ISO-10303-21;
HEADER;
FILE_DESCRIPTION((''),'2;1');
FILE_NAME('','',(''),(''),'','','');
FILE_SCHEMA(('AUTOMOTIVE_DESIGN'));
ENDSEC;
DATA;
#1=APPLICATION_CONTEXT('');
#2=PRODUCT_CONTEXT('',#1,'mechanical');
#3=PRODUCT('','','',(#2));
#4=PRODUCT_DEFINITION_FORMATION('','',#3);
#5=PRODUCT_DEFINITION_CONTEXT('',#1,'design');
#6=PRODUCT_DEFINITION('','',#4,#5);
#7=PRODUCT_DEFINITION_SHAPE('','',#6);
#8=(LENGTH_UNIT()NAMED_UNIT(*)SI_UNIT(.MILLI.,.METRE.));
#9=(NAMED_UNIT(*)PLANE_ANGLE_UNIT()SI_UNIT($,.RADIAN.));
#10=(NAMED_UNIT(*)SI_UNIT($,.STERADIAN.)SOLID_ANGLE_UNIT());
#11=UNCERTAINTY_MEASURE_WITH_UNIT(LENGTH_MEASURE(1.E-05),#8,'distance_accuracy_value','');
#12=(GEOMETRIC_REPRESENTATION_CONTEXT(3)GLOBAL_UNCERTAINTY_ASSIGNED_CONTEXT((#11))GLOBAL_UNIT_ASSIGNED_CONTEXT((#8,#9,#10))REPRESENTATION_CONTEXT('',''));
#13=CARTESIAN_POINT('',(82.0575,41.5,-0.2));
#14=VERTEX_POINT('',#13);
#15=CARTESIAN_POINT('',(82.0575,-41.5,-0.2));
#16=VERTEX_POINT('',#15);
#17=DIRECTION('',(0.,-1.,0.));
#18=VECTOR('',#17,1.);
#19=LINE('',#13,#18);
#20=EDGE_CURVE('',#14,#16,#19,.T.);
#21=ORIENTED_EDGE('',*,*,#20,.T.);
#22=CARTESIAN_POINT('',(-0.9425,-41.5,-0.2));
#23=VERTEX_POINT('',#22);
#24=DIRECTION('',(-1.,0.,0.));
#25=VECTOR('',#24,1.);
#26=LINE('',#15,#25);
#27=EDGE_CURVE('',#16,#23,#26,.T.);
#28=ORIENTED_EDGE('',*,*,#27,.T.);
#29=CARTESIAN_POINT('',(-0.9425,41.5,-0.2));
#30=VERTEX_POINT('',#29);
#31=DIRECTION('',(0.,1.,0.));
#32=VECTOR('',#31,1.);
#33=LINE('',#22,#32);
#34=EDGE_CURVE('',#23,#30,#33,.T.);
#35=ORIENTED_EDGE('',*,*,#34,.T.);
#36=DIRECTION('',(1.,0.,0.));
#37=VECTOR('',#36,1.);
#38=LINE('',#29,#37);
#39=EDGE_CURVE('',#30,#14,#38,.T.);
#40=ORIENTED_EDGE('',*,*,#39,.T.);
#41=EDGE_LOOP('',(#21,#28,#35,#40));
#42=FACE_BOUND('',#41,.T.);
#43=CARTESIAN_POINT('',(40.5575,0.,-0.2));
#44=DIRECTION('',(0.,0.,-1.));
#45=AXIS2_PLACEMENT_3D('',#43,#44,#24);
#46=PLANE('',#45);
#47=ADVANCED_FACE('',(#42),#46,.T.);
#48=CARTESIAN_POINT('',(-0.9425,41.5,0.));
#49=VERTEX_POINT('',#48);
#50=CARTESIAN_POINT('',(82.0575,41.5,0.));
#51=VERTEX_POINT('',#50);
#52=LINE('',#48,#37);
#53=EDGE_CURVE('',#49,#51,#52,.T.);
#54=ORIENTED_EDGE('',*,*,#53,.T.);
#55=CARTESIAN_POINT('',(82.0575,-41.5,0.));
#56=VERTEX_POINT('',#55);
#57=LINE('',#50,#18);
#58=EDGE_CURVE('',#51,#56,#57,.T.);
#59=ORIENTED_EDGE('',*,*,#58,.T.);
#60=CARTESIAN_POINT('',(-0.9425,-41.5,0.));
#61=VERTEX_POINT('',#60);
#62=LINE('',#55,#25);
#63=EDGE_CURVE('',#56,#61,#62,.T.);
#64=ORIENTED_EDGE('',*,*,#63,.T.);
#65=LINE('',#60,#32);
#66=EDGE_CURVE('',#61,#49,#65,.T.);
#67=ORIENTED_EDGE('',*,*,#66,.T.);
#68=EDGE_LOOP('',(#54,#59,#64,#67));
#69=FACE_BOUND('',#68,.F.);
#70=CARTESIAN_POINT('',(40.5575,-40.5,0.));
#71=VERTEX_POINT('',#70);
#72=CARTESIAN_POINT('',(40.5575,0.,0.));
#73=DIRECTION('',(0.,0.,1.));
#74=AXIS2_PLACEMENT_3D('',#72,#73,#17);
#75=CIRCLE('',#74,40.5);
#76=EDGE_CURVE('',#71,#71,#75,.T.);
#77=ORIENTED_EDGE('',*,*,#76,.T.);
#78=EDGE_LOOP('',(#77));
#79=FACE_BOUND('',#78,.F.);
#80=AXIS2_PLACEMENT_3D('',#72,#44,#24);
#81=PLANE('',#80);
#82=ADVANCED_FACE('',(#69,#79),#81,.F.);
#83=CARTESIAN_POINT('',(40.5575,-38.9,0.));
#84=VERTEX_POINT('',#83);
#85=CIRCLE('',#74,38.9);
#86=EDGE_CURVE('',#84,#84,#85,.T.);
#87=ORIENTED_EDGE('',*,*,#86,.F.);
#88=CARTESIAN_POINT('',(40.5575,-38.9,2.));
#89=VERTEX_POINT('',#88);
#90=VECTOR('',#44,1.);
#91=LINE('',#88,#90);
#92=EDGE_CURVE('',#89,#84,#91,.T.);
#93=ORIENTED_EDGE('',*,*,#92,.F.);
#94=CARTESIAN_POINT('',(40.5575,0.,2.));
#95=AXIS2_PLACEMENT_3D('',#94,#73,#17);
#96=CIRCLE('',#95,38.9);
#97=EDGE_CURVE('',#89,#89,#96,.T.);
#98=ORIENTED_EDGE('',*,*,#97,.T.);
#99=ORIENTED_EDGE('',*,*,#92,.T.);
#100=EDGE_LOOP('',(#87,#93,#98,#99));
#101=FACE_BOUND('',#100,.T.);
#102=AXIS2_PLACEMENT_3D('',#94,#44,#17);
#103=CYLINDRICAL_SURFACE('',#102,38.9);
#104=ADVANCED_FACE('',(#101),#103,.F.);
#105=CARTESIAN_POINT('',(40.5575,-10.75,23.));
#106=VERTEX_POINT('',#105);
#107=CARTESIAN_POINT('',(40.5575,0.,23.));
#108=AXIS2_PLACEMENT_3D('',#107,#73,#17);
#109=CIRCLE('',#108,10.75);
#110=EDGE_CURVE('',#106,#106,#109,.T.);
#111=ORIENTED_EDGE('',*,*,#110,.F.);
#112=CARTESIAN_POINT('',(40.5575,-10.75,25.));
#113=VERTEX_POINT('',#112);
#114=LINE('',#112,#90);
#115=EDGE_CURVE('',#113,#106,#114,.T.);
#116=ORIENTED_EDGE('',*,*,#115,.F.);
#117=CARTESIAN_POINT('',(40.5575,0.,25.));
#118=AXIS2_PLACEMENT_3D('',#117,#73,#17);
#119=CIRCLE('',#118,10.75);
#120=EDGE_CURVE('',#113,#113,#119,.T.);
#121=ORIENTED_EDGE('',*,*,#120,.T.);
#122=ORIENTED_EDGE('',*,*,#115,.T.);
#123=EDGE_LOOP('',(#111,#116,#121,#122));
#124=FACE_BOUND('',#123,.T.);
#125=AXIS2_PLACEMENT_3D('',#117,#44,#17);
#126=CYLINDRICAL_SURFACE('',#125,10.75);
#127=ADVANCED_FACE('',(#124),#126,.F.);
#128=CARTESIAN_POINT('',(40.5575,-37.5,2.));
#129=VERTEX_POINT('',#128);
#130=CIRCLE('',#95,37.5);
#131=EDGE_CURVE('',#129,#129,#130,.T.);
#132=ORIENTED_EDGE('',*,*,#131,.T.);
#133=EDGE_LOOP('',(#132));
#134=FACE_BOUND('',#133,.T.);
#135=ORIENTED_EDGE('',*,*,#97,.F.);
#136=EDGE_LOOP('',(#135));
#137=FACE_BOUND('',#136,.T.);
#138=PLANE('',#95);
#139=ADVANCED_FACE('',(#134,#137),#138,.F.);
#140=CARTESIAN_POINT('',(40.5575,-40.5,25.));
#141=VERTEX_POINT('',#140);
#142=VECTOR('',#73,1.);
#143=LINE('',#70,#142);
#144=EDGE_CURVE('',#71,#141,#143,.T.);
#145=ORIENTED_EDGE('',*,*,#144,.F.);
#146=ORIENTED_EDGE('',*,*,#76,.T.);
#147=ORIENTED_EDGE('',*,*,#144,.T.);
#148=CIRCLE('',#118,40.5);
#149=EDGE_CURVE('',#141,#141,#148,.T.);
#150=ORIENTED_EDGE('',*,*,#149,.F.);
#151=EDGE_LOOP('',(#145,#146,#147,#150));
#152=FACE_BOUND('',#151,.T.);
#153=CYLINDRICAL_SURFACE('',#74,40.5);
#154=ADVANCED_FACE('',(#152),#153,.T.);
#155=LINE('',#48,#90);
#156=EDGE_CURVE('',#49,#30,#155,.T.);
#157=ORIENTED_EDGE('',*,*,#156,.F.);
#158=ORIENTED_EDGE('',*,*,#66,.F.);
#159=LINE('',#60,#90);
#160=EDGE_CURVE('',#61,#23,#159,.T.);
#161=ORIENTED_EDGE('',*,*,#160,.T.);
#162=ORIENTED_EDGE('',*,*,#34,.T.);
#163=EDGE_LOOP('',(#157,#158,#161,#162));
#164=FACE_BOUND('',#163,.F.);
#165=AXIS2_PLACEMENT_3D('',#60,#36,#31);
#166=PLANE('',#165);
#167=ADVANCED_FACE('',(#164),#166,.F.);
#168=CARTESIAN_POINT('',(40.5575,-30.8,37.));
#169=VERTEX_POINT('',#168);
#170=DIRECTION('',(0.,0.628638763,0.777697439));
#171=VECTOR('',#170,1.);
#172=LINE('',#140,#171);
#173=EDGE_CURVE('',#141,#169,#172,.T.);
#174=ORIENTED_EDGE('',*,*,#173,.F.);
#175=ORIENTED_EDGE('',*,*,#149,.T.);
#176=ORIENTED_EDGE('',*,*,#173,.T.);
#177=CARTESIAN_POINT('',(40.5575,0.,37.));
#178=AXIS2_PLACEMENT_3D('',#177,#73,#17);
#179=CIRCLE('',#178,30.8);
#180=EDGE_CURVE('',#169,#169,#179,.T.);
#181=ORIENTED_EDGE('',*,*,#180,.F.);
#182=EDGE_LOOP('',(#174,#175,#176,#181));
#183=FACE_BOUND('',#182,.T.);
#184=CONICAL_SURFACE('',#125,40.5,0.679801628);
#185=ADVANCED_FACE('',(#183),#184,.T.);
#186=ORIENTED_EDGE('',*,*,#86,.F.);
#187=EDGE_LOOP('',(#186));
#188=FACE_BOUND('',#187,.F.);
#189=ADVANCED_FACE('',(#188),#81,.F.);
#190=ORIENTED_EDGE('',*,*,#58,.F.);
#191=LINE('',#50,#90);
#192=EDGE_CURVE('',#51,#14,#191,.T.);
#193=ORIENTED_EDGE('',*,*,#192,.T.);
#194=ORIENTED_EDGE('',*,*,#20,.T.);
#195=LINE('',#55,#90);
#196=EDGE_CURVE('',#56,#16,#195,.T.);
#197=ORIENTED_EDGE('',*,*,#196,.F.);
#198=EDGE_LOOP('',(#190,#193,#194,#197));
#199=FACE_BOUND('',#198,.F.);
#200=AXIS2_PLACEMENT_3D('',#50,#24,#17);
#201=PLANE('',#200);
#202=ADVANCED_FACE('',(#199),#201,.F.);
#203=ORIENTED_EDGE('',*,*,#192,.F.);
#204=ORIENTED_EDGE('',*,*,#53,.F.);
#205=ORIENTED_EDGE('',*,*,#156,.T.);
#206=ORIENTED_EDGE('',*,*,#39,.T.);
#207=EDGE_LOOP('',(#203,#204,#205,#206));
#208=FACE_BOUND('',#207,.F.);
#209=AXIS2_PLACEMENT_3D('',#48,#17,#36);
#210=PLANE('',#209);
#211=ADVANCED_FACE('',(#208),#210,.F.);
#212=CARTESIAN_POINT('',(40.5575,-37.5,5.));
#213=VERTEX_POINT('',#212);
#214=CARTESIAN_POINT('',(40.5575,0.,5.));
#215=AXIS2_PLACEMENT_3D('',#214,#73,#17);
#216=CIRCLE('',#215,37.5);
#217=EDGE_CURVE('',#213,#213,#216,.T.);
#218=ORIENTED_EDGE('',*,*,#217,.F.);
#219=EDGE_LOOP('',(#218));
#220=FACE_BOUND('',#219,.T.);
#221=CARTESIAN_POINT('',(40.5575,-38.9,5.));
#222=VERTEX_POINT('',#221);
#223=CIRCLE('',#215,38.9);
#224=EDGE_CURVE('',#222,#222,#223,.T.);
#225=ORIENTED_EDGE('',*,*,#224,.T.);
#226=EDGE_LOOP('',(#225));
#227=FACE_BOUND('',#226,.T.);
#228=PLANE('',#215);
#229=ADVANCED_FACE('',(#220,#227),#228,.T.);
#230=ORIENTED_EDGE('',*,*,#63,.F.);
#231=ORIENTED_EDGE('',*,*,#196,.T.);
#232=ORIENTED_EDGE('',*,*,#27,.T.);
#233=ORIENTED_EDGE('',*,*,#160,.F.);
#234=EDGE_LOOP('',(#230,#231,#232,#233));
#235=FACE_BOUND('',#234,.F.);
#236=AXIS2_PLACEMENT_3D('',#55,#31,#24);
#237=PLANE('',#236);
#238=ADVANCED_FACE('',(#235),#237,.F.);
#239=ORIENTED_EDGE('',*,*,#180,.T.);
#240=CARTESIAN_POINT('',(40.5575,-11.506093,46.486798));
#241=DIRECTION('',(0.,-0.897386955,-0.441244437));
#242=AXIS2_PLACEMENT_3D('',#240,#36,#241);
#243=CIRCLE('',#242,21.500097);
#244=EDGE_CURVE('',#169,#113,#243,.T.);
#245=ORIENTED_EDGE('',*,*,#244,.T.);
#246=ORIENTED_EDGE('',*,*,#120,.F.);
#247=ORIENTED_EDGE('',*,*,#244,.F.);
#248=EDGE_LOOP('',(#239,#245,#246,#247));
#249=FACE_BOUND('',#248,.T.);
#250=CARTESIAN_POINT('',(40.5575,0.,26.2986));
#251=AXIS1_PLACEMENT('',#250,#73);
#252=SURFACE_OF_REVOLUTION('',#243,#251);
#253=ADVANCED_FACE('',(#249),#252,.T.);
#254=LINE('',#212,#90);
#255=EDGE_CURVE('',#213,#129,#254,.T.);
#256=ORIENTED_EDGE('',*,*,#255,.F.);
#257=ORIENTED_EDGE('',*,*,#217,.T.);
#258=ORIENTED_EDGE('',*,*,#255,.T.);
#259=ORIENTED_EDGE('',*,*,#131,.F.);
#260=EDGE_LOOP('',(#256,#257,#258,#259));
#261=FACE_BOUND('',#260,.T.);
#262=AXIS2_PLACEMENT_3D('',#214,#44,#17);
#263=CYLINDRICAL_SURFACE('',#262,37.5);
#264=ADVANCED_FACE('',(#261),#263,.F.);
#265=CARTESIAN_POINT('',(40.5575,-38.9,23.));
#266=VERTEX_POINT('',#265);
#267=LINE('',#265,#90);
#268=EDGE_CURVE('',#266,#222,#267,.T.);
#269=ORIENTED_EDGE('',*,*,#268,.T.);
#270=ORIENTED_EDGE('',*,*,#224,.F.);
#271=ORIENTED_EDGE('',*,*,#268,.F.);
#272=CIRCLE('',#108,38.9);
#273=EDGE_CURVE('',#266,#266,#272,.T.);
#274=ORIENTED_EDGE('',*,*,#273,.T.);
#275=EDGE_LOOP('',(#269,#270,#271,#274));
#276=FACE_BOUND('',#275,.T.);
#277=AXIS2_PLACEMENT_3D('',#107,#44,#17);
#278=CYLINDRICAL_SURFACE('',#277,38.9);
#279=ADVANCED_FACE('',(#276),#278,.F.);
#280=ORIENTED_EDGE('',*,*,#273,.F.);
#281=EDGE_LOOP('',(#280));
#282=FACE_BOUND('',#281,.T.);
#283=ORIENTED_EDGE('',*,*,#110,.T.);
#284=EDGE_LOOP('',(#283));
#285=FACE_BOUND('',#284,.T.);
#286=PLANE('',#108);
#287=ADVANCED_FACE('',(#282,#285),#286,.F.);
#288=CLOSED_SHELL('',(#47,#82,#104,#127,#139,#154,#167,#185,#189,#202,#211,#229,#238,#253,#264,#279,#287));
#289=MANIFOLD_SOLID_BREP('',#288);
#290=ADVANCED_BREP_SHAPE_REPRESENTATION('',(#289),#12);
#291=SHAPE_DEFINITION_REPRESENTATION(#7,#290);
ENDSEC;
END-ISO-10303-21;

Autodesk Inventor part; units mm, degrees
ref_plane "XZ Plane" through (0, 0, 0) normal (0, 1, 0) x (-1, 0, 0)
ref_plane "XY Plane" through (0, 0, 0) normal (0, 0, 1) x (1, 0, 0)
sketch "草圖2" plane through (11.879, 11.879, 0) normal (0, 0, -1) x (-1, 0, 0)
  circle A0 centre (-28.6785, 28.6785) radius 40.5575 projected
  point P0 (11.879, -11.879)
ref_plane "工作平面1" through (40.5575, 40.5575, 0) normal (1, 0, 0) x (0, 1, 0)
sketch "草圖3" plane through (40.5575, 40.5575, 0) normal (1, 0, 0) x (0, 1, 0)
  line L0 (-81.0575, 0) -> (-81.0575, 25)
  line L1 (-51.3075, 25) -> (-51.3075, 23)
  line L2 (-51.3075, 23) -> (-79.4575, 23)
  line L3 (-79.4575, 23) -> (-79.4575, 5)
  line L4 (-79.4575, 5) -> (-78.0575, 5)
  line L5 (-78.0575, 5) -> (-78.0575, 2)
  line L6 (-78.0575, 2) -> (-79.4575, 2)
  line L7 (-79.4575, 2) -> (-79.4575, 0)
  line L8 (-79.4575, 0) -> (-81.0575, 0)
  line L9 (-40.5575, 26.2986) -> (-40.5575, 44.6693) construction
  arc A0 (-71.3575, 37) -> (-51.3075, 25) centre (-52.0637, 46.4867) ccw
  line L10 (-81.0575, 25) -> (-71.3575, 37)
  point P0 (-40.5575, 0)
  dimension "d0" = 21.5
  dimension "d1" = 1.6
  dimension "d2" = 81
  dimension "d3" = 25
  dimension "d4" = 2
  dimension "d5" = 3
  dimension "d6" = 3
  dimension "d7" = 2
  dimension "d8" = 12
  dimension "d9" = 9.7
  dimension "d10" = 23
  dimension "d11" = 21.5
revolve "迴轉1" add sketch "草圖3" angle 360 about axis through (40.5575, 0, 26.2986) along (0, 0, 1)
sketch "草圖4" plane through (40.5575, 0, 0) normal (0, 0, -1) x (-1, 0, 0)
  line L0 (-40.5, -40.5) -> (40.5, -40.5) construction
  line L1 (40.5, -40.5) -> (40.5, 40.5) construction
  line L2 (40.5, 40.5) -> (-40.5, 40.5) construction
  line L3 (-40.5, 40.5) -> (-40.5, -40.5) construction
  circle A0 centre (0, 0) radius 40.5 construction
  line L4 (-41.5, -41.5) -> (41.5, -41.5)
  line L5 (41.5, -41.5) -> (41.5, 41.5)
  line L6 (41.5, 41.5) -> (-41.5, 41.5)
  line L7 (-41.5, 41.5) -> (-41.5, -41.5)
  point P0 (40.5575, 0)
  dimension "d15" = 1
extrude "擠出1" add sketch "草圖4" along normal blind 0.2
properties part number "上" material "SS41"
